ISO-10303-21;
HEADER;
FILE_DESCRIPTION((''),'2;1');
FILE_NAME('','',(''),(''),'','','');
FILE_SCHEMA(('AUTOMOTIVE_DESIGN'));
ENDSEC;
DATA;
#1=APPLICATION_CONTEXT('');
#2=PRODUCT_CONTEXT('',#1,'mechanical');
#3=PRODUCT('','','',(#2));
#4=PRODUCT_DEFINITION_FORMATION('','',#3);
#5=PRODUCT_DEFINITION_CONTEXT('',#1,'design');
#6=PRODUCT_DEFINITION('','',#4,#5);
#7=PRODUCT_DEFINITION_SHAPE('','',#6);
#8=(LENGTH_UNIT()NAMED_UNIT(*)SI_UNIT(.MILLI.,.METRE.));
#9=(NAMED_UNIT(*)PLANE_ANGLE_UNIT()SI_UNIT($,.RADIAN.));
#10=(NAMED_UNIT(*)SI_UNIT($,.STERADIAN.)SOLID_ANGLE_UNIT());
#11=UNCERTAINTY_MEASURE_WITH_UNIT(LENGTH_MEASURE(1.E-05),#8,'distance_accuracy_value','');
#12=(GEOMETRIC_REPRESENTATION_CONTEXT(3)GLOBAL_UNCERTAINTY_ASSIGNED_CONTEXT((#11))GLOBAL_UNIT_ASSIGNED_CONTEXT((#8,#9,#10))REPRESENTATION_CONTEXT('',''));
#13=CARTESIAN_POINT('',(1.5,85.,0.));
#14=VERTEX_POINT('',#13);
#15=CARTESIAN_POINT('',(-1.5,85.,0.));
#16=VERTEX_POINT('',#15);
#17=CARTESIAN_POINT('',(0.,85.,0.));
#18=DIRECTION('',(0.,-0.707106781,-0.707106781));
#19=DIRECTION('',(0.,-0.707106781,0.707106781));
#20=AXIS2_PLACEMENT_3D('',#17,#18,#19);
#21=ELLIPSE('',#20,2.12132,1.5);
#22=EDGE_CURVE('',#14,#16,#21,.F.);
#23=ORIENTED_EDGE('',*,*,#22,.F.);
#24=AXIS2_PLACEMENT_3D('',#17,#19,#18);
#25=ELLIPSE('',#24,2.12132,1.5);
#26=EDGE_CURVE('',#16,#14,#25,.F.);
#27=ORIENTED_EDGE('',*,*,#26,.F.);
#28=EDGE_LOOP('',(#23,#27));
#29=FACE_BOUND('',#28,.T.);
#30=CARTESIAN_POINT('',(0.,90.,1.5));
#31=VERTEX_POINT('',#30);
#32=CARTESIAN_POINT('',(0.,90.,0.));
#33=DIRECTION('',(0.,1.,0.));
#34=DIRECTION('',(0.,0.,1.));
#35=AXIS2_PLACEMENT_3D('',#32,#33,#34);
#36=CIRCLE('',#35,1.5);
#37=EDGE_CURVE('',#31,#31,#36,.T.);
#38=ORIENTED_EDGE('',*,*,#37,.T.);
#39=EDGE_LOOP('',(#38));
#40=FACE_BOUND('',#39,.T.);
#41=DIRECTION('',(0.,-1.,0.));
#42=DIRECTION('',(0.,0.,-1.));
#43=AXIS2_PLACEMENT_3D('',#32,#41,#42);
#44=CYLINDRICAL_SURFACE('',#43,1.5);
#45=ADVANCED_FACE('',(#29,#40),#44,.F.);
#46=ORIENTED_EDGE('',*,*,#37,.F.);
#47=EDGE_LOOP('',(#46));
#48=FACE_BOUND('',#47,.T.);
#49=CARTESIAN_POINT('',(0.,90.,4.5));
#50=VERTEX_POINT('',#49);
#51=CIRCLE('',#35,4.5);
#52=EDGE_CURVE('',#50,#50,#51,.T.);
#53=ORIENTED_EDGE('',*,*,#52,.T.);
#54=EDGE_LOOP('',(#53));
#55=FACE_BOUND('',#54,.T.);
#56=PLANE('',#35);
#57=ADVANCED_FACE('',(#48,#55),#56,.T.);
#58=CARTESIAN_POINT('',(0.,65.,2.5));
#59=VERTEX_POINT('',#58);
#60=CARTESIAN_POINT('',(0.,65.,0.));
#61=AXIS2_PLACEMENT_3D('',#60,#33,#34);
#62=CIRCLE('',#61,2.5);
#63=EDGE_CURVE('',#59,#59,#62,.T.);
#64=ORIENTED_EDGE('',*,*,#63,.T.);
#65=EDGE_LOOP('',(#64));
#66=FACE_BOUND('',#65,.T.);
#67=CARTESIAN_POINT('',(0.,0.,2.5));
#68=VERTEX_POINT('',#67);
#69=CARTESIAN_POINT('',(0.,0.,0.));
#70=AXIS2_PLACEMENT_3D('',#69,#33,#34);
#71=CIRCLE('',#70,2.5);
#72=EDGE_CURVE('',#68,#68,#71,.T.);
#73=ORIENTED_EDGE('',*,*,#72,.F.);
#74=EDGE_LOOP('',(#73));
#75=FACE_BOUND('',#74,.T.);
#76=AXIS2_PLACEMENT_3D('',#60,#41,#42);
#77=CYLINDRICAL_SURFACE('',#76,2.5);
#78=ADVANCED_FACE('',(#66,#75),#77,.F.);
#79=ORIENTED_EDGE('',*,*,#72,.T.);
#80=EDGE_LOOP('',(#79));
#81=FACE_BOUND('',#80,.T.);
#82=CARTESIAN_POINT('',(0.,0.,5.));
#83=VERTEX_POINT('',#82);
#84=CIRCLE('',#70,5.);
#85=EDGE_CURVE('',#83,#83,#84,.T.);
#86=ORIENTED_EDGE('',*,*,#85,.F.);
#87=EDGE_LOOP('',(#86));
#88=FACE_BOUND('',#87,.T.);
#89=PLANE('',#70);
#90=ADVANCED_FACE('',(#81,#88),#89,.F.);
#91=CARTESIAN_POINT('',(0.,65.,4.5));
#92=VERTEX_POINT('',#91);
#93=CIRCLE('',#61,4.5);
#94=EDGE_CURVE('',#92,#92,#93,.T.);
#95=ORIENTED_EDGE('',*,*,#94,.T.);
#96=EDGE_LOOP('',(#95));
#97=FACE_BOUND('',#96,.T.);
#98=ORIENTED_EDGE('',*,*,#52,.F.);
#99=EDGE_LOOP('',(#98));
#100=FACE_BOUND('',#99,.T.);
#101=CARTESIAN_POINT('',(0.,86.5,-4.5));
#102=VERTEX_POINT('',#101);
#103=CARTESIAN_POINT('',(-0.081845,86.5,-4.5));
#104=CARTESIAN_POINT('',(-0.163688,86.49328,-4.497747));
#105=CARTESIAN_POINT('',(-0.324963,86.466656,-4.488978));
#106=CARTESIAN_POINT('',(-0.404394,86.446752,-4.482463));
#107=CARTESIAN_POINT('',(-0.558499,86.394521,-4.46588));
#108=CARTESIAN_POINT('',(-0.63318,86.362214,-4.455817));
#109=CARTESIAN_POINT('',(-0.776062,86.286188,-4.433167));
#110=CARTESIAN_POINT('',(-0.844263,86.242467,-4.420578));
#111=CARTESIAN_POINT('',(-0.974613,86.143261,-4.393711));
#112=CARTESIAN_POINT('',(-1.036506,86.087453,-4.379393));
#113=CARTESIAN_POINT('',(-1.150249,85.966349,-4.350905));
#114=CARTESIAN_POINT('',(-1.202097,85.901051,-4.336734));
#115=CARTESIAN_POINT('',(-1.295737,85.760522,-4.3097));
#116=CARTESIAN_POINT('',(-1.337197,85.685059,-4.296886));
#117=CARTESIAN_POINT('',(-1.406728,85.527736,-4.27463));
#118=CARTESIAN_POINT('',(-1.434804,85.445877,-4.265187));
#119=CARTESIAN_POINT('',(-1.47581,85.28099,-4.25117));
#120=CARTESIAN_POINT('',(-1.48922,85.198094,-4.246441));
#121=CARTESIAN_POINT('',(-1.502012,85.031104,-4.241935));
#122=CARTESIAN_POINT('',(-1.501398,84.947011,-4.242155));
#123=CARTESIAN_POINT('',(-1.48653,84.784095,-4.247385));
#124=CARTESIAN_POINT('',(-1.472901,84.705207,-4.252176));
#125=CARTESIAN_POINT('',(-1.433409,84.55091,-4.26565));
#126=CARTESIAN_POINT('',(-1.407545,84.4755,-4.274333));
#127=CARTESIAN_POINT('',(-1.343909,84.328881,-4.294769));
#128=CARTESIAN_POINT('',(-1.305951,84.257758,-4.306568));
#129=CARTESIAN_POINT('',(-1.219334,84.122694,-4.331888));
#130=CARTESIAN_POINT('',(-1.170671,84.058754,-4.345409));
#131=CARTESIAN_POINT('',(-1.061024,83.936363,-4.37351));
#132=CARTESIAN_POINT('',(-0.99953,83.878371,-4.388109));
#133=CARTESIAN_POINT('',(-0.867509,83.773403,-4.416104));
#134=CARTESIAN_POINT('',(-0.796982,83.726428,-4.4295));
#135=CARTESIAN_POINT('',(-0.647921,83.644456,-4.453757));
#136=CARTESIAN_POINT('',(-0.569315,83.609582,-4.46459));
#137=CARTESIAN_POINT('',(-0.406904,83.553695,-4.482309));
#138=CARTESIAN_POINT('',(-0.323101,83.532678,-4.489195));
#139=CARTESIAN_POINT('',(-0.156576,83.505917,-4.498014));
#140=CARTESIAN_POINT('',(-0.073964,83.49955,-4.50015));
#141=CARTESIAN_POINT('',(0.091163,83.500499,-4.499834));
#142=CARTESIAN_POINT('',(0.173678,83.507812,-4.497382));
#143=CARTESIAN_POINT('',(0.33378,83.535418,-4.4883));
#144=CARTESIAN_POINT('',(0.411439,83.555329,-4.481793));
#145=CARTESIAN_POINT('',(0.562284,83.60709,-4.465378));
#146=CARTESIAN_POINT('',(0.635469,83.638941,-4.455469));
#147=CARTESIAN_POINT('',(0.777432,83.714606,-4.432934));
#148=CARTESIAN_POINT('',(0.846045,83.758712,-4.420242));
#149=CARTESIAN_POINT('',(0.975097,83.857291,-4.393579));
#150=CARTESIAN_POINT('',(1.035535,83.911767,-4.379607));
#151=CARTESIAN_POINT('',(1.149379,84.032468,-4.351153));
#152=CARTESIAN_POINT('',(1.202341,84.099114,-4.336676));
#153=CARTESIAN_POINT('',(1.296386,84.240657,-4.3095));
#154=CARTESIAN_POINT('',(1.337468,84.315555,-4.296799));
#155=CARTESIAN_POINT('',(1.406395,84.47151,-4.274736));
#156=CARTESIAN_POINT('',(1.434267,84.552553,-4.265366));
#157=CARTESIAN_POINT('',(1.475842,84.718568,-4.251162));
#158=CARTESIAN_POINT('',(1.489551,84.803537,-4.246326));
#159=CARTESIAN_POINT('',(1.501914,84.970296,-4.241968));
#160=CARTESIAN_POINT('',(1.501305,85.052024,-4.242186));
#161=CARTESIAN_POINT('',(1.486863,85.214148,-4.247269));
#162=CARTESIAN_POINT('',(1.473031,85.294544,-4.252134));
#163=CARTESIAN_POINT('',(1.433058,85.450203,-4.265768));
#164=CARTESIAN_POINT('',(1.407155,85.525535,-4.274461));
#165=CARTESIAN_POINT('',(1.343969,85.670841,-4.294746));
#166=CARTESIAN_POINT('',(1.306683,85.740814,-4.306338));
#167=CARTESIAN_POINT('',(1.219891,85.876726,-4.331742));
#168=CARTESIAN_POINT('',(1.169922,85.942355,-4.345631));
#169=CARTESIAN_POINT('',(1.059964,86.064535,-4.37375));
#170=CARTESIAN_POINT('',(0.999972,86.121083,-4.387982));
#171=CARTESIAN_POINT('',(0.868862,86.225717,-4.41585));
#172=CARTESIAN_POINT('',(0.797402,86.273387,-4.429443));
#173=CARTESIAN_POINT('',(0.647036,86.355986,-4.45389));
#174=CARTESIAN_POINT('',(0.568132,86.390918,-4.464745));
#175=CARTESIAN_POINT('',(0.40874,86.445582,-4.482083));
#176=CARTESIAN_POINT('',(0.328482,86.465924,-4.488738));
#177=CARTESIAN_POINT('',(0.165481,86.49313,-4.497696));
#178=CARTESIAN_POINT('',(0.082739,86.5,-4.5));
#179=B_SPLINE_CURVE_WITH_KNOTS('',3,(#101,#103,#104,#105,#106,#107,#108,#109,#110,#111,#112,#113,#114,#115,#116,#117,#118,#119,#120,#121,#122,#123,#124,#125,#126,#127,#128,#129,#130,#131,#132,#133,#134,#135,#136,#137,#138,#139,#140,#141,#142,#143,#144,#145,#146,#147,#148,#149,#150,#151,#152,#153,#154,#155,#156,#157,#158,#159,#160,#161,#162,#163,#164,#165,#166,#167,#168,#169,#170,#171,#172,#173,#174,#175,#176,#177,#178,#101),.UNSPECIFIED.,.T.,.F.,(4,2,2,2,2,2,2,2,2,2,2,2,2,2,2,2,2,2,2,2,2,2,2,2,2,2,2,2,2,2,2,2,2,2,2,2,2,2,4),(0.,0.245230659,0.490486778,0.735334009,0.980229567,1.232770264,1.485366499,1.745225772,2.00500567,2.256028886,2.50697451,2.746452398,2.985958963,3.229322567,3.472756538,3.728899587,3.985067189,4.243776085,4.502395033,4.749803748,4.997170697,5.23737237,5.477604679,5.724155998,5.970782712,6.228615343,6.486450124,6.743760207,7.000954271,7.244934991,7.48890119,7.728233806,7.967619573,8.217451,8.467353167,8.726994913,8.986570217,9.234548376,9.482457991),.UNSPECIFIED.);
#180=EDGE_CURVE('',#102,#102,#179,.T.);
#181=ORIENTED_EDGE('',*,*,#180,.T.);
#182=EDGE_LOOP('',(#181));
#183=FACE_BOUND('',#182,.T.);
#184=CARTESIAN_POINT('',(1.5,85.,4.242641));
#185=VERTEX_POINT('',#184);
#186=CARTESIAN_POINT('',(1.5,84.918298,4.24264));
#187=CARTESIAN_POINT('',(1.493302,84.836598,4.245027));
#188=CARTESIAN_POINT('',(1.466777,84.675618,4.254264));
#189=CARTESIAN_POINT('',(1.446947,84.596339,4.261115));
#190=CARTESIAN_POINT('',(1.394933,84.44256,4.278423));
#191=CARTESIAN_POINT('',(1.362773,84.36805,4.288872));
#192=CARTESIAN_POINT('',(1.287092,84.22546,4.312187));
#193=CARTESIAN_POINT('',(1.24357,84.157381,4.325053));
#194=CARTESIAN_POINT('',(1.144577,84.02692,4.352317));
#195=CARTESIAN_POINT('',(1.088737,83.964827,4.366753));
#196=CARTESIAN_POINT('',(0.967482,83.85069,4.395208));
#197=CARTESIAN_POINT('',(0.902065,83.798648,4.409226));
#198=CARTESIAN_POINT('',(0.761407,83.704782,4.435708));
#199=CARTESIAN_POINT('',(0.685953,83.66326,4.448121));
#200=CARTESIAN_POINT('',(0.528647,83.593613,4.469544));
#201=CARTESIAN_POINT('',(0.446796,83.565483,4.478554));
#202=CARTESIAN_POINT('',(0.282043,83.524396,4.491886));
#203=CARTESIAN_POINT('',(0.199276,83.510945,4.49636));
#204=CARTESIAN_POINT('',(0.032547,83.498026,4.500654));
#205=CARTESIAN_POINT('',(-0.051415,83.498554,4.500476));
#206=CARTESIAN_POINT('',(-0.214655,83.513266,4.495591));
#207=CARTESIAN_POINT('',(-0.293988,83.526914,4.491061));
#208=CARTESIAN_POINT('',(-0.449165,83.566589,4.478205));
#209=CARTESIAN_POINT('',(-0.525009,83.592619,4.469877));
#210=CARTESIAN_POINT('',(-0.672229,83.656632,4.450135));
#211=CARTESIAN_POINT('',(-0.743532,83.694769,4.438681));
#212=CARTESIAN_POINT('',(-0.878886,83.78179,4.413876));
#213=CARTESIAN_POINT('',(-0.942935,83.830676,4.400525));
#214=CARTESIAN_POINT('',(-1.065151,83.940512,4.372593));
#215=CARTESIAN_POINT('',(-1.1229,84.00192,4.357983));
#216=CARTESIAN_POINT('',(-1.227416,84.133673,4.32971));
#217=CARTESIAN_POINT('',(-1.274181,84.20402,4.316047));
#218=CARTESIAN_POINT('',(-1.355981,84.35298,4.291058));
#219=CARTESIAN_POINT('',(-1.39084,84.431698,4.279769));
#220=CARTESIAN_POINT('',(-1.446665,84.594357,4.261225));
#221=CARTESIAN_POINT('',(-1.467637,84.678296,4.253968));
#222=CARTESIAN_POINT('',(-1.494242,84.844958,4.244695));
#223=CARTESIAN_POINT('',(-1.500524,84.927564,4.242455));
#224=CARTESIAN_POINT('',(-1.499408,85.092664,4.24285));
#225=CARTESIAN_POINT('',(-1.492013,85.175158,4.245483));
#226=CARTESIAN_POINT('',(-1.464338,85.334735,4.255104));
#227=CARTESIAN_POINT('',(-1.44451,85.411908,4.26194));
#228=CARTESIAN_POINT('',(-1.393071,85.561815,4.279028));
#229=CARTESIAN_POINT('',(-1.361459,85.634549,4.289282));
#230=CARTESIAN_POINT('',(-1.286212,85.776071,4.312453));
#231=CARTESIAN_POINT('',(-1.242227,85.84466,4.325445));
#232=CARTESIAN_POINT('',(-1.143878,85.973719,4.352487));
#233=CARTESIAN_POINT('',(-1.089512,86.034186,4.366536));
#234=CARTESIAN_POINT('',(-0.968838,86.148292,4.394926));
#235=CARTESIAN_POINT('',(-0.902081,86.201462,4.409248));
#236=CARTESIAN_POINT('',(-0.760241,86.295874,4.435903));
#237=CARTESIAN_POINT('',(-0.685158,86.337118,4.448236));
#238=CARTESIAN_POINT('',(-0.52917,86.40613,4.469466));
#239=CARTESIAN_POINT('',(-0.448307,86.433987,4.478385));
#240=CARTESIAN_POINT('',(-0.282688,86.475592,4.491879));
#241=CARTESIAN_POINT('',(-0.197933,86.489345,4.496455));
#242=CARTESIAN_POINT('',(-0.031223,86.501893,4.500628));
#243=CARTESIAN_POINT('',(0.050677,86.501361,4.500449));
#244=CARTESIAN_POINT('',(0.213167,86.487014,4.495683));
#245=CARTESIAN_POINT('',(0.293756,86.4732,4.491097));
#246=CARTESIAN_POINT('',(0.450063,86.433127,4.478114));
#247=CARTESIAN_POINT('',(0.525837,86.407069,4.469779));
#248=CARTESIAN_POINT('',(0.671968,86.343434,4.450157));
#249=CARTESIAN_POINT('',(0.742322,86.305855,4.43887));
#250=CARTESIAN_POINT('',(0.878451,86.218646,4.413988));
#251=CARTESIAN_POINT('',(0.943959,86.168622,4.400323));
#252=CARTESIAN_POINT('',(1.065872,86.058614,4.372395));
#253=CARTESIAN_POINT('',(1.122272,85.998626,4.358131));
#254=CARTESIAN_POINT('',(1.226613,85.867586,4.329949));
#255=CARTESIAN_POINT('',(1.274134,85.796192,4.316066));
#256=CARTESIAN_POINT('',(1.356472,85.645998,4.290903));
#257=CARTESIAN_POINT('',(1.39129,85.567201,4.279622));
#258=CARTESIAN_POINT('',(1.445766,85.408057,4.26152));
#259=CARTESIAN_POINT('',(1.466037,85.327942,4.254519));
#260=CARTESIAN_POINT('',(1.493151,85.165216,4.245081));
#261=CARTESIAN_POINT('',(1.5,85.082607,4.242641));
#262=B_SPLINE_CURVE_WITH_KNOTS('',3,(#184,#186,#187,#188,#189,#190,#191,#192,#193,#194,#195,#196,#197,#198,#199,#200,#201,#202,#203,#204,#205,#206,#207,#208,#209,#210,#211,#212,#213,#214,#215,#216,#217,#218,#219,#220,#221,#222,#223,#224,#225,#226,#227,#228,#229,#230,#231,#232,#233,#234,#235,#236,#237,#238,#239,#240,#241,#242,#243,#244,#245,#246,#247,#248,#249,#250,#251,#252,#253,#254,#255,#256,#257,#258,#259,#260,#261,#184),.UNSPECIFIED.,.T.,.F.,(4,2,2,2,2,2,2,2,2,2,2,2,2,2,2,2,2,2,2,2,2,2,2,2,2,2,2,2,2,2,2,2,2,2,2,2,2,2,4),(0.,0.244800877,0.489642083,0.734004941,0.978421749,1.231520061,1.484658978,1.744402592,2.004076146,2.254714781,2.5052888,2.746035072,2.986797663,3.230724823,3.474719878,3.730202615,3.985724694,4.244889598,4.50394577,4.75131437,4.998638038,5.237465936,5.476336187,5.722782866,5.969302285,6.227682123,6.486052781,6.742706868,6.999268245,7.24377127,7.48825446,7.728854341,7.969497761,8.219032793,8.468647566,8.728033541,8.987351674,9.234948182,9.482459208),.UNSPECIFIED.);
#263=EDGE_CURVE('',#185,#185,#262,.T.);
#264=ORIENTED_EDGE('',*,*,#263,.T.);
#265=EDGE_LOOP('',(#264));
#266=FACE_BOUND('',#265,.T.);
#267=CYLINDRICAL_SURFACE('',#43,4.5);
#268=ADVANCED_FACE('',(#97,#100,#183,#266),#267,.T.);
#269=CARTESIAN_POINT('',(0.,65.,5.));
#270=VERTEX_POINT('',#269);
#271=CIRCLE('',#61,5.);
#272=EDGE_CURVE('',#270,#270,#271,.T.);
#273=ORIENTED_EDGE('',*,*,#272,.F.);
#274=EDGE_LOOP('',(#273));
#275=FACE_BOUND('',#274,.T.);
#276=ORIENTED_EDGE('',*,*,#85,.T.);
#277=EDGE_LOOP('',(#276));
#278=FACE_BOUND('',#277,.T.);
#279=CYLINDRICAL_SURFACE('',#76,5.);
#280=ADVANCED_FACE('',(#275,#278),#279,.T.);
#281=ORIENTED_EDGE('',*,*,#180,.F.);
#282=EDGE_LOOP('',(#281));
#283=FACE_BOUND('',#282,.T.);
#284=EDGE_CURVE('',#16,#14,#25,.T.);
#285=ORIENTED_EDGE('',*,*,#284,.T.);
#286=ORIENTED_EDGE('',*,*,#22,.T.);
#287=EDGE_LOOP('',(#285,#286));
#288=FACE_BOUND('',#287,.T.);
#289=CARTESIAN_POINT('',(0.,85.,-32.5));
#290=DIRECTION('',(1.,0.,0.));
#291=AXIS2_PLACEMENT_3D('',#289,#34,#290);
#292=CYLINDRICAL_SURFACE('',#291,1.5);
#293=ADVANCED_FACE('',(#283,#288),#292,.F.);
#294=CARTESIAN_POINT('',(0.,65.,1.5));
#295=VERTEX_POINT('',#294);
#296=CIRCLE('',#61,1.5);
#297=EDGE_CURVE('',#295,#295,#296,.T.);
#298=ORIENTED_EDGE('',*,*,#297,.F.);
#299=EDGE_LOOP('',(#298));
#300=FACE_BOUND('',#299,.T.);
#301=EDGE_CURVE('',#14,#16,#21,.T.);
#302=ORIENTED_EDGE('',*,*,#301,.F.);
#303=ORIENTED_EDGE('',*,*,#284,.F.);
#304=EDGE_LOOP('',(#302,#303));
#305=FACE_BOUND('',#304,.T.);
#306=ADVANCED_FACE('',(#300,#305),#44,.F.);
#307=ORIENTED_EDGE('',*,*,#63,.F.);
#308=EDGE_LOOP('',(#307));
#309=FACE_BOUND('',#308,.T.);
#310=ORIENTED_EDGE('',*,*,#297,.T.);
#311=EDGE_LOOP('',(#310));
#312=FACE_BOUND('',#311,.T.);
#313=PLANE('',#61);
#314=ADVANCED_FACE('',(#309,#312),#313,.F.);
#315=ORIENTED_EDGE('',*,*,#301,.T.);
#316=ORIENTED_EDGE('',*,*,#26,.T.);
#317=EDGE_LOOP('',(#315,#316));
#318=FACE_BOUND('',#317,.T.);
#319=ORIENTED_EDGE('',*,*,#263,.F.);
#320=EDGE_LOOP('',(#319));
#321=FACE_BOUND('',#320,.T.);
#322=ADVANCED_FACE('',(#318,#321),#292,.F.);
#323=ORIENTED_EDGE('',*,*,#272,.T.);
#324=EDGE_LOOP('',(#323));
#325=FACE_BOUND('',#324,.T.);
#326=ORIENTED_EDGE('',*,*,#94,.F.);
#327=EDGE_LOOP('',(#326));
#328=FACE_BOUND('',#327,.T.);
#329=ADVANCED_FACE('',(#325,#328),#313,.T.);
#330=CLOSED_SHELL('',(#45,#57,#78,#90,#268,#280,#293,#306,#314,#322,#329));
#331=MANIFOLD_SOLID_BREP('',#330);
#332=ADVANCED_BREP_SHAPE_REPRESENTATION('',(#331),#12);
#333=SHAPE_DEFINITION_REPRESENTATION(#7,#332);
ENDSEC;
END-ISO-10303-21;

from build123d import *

# Parameters (mm, degrees)
SKETCH1_R           = 5
SKETCH1_R_2         = 2.5
BOSS_EXTRUDE1_DEPTH = 65
SKETCH2_R           = 4.5
SKETCH2_R_2         = 1.5
BOSS_EXTRUDE2_DEPTH = 25
SKETCH4_R           = 1.5
CUT_EXTRUDE1_DEPTH  = 32.5


with BuildPart() as part:
    # Sketch1 → Boss-Extrude1 (new body)
    with BuildSketch(Plane(origin=(0, 0, 0), x_dir=(1, 0, 0), z_dir=(0, 1, 0))):
        Circle(SKETCH1_R)
        Circle(SKETCH1_R_2, mode=Mode.SUBTRACT)
    extrude(amount=BOSS_EXTRUDE1_DEPTH)

    # Sketch2 → Boss-Extrude2 (add)
    with BuildSketch(Plane(origin=(0, 65, 0), x_dir=(1, 0, 0), z_dir=(0, 1, 0))):
        Circle(SKETCH2_R)
        Circle(SKETCH2_R_2, mode=Mode.SUBTRACT)
    extrude(amount=BOSS_EXTRUDE2_DEPTH)

    # Sketch4 → Cut-Extrude1 (cut, symmetric)
    with BuildSketch(Plane.XY):
        with Locations((0, 85)):
            Circle(SKETCH4_R)
    extrude(amount=CUT_EXTRUDE1_DEPTH, both=True, mode=Mode.SUBTRACT)


solid = part.part
